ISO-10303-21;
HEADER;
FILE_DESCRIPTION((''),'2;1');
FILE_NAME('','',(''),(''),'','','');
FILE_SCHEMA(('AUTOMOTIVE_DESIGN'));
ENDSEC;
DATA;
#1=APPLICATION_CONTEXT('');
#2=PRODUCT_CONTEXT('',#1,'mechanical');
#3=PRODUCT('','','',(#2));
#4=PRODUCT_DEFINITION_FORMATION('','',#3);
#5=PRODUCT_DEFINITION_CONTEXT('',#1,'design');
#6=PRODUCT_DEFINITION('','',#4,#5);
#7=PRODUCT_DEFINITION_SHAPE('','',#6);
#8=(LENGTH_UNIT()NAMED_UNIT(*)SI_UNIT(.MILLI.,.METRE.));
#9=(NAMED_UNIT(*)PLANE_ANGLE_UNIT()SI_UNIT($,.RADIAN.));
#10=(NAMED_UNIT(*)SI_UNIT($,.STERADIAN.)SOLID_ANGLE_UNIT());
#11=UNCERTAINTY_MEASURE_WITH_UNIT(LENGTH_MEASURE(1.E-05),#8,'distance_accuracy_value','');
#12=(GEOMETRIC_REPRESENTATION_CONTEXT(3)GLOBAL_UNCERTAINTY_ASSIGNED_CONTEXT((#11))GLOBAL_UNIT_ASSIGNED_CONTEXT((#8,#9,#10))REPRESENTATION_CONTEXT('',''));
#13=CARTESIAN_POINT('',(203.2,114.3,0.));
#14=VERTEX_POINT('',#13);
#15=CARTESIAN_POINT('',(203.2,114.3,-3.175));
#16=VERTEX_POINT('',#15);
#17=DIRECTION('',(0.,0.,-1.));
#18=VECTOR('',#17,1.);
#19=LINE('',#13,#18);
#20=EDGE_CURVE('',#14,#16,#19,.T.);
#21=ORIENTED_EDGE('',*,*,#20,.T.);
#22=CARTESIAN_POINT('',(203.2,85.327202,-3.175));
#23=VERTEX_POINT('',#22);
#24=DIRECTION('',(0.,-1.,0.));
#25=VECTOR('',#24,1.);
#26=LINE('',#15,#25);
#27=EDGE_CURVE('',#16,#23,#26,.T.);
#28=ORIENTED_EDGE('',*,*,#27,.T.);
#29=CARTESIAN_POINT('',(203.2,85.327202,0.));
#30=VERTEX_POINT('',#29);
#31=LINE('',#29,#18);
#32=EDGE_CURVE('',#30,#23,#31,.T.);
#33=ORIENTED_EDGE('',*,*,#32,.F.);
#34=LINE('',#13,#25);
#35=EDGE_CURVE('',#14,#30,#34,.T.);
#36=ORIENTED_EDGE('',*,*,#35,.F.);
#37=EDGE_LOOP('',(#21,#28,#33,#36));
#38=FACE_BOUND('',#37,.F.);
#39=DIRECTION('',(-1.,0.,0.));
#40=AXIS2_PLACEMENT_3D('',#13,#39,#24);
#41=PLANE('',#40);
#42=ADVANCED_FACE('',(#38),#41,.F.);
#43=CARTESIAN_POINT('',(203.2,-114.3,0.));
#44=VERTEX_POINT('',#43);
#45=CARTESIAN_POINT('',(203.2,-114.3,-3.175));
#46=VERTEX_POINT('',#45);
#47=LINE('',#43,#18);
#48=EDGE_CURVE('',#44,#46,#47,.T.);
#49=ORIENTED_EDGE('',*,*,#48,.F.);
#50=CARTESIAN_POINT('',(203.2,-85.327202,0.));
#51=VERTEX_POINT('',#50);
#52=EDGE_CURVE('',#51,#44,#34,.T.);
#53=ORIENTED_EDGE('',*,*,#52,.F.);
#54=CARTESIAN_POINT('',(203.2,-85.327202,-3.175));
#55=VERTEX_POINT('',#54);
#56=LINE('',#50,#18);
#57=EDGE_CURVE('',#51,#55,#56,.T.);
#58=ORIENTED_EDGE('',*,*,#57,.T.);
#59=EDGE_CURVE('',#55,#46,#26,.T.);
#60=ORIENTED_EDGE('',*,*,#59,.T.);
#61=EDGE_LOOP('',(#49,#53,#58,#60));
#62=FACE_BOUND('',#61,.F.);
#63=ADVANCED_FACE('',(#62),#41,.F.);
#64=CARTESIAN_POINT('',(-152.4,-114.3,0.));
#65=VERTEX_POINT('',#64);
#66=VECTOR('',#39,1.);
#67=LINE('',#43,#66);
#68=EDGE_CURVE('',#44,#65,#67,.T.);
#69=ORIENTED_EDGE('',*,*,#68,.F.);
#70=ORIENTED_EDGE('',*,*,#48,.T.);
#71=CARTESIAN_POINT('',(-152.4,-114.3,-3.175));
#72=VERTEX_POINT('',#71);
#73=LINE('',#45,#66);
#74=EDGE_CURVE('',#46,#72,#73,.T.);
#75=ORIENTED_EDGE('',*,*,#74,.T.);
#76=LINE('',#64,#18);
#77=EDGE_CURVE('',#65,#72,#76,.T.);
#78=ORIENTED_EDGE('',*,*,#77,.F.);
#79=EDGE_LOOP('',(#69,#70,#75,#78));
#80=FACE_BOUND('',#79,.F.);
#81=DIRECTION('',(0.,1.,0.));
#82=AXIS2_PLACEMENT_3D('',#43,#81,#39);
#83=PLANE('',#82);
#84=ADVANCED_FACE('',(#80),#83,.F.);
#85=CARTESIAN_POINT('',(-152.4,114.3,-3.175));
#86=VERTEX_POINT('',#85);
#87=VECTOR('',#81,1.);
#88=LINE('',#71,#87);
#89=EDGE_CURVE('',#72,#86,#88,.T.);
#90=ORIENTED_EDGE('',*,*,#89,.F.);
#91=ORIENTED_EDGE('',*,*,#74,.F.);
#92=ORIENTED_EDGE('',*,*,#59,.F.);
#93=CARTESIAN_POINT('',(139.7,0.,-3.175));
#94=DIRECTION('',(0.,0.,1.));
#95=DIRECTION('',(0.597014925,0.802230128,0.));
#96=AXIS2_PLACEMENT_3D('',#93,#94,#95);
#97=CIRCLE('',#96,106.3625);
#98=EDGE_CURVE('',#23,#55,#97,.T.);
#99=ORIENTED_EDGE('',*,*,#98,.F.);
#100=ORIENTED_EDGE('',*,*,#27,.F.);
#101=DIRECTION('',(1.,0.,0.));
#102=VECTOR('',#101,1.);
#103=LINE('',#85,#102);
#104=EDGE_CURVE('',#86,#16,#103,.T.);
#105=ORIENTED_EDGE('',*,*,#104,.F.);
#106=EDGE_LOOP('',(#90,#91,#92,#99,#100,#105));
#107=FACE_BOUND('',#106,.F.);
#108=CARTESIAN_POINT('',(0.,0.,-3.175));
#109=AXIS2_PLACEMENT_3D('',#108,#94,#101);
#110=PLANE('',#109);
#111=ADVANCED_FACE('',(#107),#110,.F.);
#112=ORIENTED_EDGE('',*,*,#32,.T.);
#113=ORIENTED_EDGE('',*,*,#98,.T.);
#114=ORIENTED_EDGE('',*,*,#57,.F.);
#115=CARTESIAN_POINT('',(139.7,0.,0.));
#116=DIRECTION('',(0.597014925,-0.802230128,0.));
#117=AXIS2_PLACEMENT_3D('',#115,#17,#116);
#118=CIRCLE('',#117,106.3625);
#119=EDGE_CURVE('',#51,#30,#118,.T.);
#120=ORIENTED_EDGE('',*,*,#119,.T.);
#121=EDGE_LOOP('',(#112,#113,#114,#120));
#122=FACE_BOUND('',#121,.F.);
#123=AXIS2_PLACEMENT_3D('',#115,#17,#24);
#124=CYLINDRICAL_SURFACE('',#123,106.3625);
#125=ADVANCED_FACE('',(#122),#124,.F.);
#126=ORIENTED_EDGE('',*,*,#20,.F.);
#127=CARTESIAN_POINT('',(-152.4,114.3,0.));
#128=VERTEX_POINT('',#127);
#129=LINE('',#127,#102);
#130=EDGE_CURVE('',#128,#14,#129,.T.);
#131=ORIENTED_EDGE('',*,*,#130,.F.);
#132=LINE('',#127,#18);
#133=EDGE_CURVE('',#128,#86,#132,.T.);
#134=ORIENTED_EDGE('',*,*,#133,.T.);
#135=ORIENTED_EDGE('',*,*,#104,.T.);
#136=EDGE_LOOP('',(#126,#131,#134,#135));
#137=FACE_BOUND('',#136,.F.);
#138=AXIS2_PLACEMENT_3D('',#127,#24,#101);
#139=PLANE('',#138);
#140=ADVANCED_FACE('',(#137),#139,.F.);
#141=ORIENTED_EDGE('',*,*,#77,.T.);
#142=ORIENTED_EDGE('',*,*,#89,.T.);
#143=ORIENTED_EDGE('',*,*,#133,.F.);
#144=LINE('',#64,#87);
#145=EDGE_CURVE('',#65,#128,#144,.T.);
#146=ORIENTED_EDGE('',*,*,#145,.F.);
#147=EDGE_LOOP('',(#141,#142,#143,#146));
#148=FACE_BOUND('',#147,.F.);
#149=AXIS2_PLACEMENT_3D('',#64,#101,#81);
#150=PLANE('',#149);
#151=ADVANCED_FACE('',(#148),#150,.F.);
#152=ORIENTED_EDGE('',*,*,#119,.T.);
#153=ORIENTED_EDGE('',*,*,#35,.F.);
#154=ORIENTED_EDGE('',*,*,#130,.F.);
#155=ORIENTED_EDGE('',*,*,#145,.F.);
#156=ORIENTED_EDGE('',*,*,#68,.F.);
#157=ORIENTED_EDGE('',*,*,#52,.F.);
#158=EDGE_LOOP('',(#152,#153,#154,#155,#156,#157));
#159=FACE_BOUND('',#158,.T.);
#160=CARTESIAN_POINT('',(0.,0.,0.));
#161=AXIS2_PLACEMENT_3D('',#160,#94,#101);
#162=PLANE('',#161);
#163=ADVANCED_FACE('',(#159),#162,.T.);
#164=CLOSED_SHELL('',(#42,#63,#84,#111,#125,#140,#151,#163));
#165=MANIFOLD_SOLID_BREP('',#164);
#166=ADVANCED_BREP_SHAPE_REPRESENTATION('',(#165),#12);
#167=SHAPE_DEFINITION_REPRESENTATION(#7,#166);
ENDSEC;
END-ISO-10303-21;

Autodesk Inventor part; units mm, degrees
ref_plane "YZ Plane" through (0, 0, 0) normal (1, 0, 0) x (0, 1, 0)
ref_plane "XZ Plane" through (0, 0, 0) normal (0, 1, 0) x (-1, 0, 0)
ref_plane "XY Plane" through (0, 0, 0) normal (0, 0, 1) x (1, 0, 0)
sketch "Sketch1" plane through (0, 0, 0) normal (0, 0, 1) x (1, 0, 0)
  line L0 (-152.4, 114.3) -> (203.2, 114.3)
  line L1 (203.2, 114.3) -> (203.2, -114.3)
  line L2 (203.2, -114.3) -> (-152.4, -114.3)
  line L3 (-152.4, -114.3) -> (-152.4, 114.3)
  point P0 (0, 0)
  dimension "d0" = 355.6
  dimension "d1" = 228.6
  dimension "d2" = 114.3
  dimension "d3" = 152.4
extrude "Extrusion1" add sketch "Sketch1" against normal blind 3.175
hole "Hole1" at (139.7, 0, 0) direction (0, 0, -1) diameter 212.725 depth 3.175 tip angle 118
properties part number "Fore_Top"
